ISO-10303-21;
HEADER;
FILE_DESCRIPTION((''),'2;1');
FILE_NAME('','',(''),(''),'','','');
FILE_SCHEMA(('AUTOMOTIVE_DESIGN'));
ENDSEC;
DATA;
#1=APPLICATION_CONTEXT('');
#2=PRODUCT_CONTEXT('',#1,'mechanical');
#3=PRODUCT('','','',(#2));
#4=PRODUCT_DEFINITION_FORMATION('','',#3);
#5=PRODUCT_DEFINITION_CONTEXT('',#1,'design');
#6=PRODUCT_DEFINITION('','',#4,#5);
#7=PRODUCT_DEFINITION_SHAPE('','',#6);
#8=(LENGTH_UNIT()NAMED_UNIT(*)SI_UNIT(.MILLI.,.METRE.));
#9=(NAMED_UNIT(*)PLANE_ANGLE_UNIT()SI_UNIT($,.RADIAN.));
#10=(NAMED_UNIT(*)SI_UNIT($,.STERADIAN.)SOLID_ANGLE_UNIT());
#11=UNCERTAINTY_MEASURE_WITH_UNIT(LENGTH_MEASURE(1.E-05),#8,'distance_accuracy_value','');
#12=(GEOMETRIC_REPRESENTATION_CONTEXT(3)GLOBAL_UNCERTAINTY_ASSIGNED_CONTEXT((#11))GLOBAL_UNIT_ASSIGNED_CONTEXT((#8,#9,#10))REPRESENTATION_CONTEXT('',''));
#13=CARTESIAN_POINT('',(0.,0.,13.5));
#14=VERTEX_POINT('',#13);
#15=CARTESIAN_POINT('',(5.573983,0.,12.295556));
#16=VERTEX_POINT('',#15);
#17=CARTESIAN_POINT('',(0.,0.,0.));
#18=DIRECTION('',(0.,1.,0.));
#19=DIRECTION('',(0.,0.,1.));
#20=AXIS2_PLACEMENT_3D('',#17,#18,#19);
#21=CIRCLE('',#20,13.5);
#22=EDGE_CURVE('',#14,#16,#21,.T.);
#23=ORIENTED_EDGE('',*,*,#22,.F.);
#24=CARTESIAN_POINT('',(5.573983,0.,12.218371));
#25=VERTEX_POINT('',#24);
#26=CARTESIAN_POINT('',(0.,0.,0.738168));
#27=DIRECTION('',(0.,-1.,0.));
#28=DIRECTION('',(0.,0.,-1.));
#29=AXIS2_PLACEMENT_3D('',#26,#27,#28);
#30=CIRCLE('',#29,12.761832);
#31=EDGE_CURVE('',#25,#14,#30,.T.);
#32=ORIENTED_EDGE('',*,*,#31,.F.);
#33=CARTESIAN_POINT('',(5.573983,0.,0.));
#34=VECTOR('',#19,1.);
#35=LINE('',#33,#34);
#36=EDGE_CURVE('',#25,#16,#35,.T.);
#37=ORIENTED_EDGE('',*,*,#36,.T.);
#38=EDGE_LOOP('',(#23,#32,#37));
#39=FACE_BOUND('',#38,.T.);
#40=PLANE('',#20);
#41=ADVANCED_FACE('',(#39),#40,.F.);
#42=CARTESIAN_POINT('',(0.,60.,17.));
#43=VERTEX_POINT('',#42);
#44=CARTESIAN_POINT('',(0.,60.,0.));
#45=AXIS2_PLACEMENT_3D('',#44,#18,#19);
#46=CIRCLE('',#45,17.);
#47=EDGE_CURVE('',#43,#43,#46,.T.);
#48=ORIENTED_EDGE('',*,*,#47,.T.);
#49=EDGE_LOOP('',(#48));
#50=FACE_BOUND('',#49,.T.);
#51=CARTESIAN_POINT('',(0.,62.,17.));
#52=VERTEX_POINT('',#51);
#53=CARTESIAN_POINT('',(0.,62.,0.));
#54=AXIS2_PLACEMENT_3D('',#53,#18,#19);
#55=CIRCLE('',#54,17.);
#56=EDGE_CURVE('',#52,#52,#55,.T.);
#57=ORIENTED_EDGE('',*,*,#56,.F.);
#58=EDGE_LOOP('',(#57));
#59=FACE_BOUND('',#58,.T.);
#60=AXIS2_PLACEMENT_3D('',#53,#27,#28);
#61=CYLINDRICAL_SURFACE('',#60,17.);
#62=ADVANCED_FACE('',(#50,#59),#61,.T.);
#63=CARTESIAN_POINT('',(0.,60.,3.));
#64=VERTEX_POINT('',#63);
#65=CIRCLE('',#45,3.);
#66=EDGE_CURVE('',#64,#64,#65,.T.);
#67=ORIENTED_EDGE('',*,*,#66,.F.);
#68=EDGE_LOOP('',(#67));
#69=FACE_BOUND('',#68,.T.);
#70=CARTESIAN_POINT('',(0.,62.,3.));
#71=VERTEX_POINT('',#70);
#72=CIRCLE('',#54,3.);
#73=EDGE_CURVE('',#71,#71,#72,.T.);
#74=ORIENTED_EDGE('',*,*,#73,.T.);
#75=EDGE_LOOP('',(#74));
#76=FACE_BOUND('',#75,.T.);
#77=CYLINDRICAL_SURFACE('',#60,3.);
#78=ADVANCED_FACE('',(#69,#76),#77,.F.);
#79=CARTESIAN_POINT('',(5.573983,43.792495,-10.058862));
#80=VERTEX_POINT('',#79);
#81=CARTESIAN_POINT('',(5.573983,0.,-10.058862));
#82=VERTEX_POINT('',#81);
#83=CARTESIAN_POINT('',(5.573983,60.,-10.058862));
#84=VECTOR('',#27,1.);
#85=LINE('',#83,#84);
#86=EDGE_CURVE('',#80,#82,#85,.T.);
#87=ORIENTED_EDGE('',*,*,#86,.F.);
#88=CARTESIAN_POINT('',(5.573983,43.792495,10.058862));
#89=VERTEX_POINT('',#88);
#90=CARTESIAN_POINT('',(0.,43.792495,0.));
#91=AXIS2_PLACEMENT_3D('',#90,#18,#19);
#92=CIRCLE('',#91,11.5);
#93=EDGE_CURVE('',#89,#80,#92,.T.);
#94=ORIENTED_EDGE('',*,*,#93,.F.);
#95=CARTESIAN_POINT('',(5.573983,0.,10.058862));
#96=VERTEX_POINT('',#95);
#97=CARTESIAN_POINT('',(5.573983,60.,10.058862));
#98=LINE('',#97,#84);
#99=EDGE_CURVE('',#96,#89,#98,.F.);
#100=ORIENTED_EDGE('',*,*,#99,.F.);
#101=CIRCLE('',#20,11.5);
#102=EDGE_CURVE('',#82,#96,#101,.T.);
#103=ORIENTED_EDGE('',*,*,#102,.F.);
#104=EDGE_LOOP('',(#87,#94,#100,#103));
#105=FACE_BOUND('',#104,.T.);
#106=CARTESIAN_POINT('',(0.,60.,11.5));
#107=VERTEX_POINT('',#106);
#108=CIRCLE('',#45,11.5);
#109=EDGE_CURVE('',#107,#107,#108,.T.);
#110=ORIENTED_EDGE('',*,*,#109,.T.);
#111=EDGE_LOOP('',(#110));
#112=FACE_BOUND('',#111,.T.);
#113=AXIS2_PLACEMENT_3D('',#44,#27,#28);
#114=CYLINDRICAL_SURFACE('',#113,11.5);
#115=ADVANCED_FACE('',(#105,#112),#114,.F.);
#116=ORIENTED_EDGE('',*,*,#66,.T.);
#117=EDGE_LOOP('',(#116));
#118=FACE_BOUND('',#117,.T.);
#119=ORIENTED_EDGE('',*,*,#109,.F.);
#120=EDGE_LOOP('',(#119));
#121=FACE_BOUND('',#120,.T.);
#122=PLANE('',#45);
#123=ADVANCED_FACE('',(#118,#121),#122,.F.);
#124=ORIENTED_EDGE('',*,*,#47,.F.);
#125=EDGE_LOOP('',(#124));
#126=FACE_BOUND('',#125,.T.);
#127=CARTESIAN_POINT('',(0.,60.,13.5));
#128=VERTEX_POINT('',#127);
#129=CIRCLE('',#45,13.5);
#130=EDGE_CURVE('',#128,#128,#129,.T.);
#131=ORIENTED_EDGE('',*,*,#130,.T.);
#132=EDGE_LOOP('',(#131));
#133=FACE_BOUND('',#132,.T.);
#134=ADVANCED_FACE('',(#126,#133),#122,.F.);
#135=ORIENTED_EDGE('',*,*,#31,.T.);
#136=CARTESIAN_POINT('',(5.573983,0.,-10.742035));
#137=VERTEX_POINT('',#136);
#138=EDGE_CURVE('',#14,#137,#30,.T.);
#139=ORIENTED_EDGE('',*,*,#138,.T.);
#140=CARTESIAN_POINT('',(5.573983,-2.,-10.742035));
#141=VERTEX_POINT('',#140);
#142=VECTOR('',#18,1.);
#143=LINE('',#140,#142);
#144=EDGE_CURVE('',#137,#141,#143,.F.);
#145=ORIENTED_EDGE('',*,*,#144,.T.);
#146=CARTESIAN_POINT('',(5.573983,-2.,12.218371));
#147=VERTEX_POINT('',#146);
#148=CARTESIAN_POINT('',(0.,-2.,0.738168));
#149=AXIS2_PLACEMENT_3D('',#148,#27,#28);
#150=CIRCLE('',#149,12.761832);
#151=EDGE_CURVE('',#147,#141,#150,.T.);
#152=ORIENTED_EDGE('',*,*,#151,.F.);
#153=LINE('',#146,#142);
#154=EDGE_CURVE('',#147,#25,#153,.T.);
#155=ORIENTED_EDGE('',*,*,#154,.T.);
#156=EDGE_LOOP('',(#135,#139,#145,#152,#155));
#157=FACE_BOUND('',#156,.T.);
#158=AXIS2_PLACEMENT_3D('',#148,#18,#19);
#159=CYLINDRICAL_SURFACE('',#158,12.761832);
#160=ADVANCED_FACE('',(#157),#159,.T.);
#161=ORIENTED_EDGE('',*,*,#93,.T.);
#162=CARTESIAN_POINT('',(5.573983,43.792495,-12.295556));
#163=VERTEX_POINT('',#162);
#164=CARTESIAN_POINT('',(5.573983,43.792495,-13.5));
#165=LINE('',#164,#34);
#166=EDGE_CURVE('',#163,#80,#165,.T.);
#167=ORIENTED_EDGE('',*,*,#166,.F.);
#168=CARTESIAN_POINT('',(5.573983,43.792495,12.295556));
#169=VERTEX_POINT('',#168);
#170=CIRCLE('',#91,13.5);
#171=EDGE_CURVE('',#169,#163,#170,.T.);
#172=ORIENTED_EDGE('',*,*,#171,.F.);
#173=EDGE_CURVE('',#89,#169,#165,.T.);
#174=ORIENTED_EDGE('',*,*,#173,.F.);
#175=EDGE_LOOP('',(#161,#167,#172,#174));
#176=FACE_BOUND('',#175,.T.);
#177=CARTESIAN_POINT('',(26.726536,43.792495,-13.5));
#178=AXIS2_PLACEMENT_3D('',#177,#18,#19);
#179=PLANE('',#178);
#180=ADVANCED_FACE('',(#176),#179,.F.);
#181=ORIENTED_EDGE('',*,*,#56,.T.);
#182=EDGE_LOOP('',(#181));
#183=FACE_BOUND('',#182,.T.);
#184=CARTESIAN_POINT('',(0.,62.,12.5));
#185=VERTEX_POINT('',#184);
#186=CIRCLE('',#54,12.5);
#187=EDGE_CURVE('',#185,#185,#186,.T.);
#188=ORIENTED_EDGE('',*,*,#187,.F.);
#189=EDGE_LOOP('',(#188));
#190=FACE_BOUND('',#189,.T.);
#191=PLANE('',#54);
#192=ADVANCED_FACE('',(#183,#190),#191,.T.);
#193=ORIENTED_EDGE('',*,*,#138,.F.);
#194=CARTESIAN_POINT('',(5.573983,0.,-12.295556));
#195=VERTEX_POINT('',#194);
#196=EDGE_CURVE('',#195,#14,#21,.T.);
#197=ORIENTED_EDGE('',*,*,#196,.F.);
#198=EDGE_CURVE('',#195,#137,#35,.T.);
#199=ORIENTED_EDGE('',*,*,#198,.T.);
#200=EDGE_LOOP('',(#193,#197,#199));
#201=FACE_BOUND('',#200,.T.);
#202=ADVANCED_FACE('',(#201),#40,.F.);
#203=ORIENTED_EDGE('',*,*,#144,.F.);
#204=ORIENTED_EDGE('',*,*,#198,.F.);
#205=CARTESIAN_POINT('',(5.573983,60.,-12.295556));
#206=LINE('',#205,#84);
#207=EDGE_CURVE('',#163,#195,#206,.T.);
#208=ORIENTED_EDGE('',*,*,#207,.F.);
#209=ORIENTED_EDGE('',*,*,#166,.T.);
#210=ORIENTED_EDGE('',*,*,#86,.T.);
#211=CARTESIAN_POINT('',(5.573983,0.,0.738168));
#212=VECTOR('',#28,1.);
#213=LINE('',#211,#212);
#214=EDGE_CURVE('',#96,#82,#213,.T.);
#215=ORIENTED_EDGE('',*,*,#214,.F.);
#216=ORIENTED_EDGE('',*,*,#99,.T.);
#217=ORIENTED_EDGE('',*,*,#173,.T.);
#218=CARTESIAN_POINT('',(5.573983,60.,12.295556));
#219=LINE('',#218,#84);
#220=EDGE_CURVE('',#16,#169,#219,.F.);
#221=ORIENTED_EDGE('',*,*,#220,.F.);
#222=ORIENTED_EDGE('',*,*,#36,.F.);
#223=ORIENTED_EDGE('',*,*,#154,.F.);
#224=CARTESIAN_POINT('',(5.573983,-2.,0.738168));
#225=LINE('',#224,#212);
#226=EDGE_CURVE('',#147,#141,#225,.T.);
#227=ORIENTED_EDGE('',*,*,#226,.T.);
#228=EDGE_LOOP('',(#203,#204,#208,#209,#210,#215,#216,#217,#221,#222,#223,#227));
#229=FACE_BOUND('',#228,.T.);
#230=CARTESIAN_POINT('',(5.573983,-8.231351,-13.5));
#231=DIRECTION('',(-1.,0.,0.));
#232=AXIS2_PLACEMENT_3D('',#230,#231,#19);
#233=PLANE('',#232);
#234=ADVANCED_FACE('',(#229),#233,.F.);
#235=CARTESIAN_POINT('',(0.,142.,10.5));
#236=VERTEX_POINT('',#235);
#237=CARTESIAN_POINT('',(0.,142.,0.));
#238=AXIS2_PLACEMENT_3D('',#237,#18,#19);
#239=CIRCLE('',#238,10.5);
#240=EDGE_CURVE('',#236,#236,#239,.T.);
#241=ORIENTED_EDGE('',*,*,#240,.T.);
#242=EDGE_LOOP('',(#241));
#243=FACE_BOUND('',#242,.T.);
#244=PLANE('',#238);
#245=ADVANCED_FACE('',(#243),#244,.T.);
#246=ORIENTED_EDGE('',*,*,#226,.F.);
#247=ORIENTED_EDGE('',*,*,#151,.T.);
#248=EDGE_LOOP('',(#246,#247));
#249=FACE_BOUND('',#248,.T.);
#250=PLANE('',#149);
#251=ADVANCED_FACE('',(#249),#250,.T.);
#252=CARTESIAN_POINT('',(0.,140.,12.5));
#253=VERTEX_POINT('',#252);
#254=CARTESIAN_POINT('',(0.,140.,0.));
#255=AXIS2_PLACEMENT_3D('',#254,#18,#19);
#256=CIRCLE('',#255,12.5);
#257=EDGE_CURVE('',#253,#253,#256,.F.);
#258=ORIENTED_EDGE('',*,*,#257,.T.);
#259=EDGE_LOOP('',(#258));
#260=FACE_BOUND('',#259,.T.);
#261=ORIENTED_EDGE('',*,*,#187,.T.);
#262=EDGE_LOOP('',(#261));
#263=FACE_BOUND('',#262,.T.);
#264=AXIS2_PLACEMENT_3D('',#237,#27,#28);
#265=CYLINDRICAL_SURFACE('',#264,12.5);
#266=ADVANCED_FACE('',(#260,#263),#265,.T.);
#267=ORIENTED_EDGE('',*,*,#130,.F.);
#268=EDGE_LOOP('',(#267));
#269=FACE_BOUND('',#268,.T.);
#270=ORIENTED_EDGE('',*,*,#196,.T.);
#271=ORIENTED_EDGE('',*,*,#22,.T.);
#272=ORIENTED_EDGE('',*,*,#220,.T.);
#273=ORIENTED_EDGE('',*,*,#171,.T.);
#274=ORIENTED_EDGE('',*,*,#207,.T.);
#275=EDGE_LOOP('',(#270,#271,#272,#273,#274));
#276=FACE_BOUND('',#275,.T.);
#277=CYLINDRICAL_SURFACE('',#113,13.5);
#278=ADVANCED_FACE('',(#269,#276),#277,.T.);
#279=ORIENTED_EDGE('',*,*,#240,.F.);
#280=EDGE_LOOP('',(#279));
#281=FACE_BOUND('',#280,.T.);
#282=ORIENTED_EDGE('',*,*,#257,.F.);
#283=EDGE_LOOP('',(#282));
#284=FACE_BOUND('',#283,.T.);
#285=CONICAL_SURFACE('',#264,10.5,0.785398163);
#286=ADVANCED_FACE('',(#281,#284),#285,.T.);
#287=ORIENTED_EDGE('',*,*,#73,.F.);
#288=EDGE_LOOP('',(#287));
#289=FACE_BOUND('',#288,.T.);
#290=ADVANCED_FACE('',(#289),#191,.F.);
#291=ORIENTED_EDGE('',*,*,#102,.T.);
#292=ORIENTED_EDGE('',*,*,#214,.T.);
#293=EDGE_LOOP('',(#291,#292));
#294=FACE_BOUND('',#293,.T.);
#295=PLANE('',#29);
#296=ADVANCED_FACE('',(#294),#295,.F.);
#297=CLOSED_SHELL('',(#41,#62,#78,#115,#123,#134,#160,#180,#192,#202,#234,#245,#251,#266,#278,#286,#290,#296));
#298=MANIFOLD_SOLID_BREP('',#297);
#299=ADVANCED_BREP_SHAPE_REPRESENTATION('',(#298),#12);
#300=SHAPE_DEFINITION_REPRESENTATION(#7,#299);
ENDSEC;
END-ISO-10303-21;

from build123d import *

# Parameters (mm, degrees)
SKETCH1_R               = 13.5
SKETCH1_R_2             = 11.5
BOSS_EXTRUDE1_DEPTH     = 60
SKETCH2_R               = 12.761832135
BOSS_EXTRUDE2_DEPTH     = 2
CUT_EXTRUDE1_DEPTH      = 63.964275585
CUT_EXTRUDE1_DEPTH_BACK = 63.964275585
SKETCH3_W               = 21.152552615
SKETCH3_H               = 52.02384562
SKETCH4_R               = 17
SKETCH4_R_2             = 3
BOSS_EXTRUDE3_DEPTH     = 2
SKETCH5_R               = 12.5
BOSS_EXTRUDE4_DEPTH     = 80
CHAMFER1_SIZE           = 2


with BuildPart() as part:
    # Sketch1 → Boss-Extrude1 (new body)
    with BuildSketch(Plane(origin=(0, 0, 0), x_dir=(1, 0, 0), z_dir=(0, 1, 0))):
        with Locations(Location((0, 0, 0), (0, 0, 90))):
            Circle(SKETCH1_R)
        with Locations(Location((0, 0, 0), (0, 0, 90))):
            Circle(SKETCH1_R_2, mode=Mode.SUBTRACT)
    extrude(amount=BOSS_EXTRUDE1_DEPTH)

    # Sketch2 → Boss-Extrude2 (add)
    with BuildSketch(Plane.XZ):
        with Locations(Location((0, 0.738167865, 0), (0, 0, 90))):
            Circle(SKETCH2_R)
    extrude(amount=BOSS_EXTRUDE2_DEPTH)

    # Sketch3 → Cut-Extrude1 (cut, two sides: drawn at the far end of the back side and taken through both)
    with BuildSketch(Plane.XY.offset(-CUT_EXTRUDE1_DEPTH_BACK)):
        with Locations((16.150259766, 17.780571755)):
            Rectangle(SKETCH3_W, SKETCH3_H)
    extrude(amount=CUT_EXTRUDE1_DEPTH + CUT_EXTRUDE1_DEPTH_BACK, mode=Mode.SUBTRACT)

    # Sketch4 → Boss-Extrude3 (add)
    with BuildSketch(Plane(origin=(0, 60, 0), x_dir=(1, 0, 0), z_dir=(0, 1, 0))):
        with Locations(Location((0, 0, 0), (0, 0, 270))):
            Circle(SKETCH4_R)
        with Locations(Location((0, 0, 0), (0, 0, 270))):
            Circle(SKETCH4_R_2, mode=Mode.SUBTRACT)
    extrude(amount=BOSS_EXTRUDE3_DEPTH)

    # Sketch5 → Boss-Extrude4 (add)
    with BuildSketch(Plane(origin=(0, 62, 0), x_dir=(1, 0, 0), z_dir=(0, 1, 0))):
        with Locations(Location((0, 0, 0), (0, 0, 270))):
            Circle(SKETCH5_R)
    extrude(amount=BOSS_EXTRUDE4_DEPTH)

    # Chamfer1
    chamfer1_edges = [part.edges().sort_by_distance(p)[0] for p in [
        (0, 142, -12.5),
    ]]
    chamfer(chamfer1_edges, length=CHAMFER1_SIZE)


solid = part.part
